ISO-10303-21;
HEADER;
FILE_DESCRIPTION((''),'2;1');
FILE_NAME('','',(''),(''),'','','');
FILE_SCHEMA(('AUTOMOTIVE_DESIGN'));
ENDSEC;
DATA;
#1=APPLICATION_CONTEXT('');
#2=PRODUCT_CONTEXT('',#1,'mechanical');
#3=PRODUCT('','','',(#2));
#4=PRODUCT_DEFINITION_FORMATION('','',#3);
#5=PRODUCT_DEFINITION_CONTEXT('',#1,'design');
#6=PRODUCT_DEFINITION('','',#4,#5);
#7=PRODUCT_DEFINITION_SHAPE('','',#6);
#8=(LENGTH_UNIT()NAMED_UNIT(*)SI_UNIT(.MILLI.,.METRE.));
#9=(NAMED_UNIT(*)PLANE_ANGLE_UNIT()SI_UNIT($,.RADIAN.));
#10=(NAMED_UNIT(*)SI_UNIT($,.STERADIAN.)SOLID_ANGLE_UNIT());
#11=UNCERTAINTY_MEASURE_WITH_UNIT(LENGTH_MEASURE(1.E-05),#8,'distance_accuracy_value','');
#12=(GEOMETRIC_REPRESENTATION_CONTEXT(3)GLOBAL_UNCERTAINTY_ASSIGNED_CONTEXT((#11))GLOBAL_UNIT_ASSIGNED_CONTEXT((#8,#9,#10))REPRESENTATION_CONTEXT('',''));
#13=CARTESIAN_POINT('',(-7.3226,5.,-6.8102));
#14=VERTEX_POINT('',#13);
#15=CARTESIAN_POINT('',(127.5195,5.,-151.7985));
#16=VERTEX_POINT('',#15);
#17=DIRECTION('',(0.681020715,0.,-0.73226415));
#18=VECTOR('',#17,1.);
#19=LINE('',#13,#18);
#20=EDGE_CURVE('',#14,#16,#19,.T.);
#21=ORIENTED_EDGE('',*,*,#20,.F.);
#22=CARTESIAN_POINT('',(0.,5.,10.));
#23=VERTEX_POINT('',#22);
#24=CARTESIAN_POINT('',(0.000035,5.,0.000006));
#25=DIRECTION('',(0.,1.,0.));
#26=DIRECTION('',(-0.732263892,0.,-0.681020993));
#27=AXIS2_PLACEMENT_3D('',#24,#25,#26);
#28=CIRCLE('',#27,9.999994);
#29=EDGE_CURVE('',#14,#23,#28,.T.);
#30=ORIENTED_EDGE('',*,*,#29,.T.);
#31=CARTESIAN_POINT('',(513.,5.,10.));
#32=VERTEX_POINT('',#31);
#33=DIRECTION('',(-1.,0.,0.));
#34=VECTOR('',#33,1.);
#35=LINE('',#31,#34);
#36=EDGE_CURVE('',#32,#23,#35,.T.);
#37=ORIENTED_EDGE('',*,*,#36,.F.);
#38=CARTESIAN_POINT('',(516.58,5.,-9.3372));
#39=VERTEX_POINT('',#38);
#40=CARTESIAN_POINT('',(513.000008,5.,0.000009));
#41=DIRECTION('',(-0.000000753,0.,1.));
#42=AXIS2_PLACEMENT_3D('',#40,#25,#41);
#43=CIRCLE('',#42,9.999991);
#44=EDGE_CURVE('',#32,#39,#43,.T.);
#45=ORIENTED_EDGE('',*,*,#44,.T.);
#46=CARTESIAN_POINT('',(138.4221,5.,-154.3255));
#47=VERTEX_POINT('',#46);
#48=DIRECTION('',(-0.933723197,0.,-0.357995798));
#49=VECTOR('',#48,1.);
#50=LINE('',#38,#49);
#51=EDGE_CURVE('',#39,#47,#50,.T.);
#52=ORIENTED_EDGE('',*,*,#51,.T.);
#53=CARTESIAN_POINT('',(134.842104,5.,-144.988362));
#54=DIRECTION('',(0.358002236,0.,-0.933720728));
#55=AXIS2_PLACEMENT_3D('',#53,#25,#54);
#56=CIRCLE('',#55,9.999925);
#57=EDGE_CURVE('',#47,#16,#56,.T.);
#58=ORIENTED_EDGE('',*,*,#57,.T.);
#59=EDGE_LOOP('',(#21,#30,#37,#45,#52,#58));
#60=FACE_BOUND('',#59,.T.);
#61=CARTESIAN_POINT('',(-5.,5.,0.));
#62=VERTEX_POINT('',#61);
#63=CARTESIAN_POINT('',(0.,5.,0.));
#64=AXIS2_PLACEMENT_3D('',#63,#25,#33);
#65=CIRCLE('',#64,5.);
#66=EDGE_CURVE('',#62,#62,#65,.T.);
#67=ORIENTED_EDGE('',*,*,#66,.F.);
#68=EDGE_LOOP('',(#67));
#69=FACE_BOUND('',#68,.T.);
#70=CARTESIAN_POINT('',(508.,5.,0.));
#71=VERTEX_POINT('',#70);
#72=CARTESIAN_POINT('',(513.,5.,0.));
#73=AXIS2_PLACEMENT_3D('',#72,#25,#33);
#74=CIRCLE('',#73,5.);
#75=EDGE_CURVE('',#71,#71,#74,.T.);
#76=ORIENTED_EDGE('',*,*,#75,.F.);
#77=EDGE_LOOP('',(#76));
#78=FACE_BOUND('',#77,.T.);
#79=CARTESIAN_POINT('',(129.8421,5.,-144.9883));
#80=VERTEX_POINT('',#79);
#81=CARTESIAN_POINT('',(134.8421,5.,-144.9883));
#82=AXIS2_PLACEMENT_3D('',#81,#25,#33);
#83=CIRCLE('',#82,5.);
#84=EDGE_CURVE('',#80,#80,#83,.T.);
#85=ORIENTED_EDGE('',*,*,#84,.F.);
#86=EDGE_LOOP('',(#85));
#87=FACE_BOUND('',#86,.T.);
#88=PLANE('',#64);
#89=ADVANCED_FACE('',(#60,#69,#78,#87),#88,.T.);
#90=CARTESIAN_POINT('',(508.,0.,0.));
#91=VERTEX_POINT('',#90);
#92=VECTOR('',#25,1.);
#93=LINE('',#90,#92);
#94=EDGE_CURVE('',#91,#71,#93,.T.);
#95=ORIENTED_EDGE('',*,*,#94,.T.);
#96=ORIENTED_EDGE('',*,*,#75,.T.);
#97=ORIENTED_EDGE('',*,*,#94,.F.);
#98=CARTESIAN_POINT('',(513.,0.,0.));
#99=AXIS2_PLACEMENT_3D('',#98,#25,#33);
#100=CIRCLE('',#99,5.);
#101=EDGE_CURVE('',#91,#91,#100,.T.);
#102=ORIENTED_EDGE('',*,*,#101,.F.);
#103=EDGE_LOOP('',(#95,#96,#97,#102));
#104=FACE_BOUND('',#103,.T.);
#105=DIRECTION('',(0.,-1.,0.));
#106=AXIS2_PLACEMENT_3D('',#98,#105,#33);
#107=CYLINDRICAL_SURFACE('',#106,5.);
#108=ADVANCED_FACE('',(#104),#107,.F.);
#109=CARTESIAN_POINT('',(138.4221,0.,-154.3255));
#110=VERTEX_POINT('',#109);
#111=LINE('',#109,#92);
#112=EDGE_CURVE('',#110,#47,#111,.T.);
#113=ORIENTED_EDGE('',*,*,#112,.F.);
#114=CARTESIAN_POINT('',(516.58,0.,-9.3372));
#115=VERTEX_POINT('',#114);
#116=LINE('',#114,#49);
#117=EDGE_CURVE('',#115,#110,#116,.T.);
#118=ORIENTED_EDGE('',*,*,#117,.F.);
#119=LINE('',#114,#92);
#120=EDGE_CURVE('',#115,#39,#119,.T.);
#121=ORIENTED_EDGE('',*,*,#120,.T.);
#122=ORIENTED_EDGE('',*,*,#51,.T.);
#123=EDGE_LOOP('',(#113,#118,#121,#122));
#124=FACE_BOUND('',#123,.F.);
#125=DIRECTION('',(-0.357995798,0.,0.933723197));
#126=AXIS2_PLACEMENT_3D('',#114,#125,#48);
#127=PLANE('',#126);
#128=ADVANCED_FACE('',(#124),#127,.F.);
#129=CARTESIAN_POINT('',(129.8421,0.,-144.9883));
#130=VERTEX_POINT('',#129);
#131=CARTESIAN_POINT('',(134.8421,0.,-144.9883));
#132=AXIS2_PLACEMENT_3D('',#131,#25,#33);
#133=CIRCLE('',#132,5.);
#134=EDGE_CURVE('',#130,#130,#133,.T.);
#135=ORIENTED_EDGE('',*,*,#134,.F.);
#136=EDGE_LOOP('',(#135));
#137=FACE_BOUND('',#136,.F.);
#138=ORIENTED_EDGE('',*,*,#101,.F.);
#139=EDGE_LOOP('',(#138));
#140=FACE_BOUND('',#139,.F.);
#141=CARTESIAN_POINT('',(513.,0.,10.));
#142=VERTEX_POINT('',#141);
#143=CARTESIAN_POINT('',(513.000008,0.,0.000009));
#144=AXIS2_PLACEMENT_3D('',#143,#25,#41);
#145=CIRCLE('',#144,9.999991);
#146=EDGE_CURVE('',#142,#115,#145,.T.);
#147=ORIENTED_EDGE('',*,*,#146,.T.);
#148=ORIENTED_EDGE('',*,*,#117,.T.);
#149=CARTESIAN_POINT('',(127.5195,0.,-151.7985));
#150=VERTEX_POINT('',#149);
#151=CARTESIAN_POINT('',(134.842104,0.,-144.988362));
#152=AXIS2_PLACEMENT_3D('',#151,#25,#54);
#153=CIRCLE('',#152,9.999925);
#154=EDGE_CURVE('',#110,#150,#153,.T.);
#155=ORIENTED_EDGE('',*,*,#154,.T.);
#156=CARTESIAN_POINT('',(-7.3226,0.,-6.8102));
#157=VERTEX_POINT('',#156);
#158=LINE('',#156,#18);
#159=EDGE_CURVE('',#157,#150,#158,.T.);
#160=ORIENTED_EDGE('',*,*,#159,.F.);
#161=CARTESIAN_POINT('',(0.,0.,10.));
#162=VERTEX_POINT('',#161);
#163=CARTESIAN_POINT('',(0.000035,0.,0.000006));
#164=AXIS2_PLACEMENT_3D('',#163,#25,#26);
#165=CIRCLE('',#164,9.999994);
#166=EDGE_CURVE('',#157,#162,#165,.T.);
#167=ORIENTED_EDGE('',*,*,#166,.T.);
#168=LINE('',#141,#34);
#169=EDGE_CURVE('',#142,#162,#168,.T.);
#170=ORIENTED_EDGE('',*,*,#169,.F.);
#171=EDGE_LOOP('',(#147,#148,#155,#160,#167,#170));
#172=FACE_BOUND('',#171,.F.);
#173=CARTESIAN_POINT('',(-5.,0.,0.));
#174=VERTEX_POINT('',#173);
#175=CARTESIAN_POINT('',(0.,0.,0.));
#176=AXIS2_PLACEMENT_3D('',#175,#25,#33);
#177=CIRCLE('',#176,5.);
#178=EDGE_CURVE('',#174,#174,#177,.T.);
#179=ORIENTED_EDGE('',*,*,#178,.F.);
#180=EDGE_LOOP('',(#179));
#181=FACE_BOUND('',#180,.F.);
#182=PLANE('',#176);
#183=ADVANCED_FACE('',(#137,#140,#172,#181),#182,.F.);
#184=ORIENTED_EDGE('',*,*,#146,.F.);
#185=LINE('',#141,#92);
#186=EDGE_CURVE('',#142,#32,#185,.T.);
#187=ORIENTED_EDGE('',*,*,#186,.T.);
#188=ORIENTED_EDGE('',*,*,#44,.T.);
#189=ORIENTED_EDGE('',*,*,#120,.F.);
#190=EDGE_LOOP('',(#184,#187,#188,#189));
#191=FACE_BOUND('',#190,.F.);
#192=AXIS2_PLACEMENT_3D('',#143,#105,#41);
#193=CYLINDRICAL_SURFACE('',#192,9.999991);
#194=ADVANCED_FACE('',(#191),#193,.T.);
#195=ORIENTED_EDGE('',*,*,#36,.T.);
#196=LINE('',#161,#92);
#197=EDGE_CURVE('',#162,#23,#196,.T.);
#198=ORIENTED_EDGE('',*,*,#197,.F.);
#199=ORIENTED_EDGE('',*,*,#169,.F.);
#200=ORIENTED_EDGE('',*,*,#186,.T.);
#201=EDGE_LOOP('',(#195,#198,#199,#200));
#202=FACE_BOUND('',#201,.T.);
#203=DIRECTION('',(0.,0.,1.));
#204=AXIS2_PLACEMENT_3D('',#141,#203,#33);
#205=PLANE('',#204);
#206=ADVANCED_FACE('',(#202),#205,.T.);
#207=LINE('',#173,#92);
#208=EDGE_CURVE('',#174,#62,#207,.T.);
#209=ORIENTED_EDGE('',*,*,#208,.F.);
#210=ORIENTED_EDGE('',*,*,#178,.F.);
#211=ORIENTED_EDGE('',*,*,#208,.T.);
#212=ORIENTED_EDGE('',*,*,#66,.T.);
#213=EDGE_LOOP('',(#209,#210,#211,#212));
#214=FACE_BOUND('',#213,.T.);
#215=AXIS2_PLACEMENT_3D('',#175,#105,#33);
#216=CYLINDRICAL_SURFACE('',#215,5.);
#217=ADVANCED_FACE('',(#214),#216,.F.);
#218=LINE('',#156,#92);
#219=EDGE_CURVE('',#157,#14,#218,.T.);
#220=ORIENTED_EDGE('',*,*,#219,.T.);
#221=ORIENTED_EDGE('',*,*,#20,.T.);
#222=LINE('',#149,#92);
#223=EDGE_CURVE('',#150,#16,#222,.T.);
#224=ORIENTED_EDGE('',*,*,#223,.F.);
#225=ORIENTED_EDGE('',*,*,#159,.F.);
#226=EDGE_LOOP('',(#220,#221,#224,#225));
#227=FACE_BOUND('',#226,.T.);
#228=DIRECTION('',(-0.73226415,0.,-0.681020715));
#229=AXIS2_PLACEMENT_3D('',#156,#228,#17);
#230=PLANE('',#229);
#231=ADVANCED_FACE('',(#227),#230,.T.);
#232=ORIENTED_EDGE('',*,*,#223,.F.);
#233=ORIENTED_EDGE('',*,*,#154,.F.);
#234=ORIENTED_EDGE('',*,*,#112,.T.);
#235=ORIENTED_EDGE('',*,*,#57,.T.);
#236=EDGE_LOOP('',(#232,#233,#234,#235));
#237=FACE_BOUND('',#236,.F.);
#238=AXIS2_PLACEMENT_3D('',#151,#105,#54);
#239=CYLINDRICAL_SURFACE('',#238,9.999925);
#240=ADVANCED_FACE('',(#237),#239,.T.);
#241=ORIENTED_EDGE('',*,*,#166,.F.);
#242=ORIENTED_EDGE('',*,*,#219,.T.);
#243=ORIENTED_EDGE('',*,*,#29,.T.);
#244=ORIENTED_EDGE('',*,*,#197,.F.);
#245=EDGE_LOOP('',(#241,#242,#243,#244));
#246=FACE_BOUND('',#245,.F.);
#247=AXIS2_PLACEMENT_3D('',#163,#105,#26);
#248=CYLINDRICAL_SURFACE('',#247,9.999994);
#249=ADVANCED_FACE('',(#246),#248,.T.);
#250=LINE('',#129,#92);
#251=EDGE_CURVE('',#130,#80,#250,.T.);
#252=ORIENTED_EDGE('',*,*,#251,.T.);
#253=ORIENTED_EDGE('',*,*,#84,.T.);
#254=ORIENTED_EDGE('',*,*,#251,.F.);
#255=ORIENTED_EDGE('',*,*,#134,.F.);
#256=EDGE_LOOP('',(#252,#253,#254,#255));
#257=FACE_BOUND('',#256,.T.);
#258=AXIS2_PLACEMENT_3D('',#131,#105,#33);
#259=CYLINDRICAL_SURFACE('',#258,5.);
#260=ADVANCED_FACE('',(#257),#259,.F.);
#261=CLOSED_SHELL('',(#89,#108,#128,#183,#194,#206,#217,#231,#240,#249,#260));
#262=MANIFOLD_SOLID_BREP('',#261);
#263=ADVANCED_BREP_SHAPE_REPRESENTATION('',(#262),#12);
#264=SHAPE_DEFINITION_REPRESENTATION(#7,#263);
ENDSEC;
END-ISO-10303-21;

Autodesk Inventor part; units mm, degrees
ref_plane "YZ Plane" through (0, 0, 0) normal (1, 0, 0) x (0, 1, 0)
ref_plane "XZ Plane" through (0, 0, 0) normal (0, 1, 0) x (-1, 0, 0)
ref_plane "XY Plane" through (0, 0, 0) normal (0, 0, 1) x (1, 0, 0)
sketch "草圖2" plane through (0, 0, 0) normal (0, 1, 0) x (-1, 0, 0)
  line L0 (-134.8421, -144.9883) -> (0, 0) construction
  line L1 (0, 0) -> (-513, 0) construction
  arc A0 (-513, 10) -> (-516.58, -9.3372) centre (-513, 0) ccw
  arc A1 (7.3226, -6.8102) -> (0, 10) centre (0, 0) ccw
  line L2 (-513, 10) -> (0, 10)
  line L3 (-516.58, -9.3372) -> (-138.4221, -154.3255)
  line L4 (-513, 0) -> (-134.8421, -144.9883) construction
  arc A2 (-138.4221, -154.3255) -> (-127.5195, -151.7985) centre (-134.8421, -144.9883) ccw
  line L5 (7.3226, -6.8102) -> (-127.5195, -151.7985)
  circle A3 centre (-513, 0) radius 5
  circle A4 centre (0, 0) radius 5
  circle A5 centre (-134.8421, -144.9883) radius 5
  dimension "d11" = 20
  dimension "hole" = 10
  dimension "center_distance1" = 513
  dimension "center_distance3" = 405
  dimension "center_distance2" = 198
extrude "擠出2" add sketch "草圖2" along normal blind 5
equation "\"d11\" = 2 * hole"
properties part number "ternary link"
